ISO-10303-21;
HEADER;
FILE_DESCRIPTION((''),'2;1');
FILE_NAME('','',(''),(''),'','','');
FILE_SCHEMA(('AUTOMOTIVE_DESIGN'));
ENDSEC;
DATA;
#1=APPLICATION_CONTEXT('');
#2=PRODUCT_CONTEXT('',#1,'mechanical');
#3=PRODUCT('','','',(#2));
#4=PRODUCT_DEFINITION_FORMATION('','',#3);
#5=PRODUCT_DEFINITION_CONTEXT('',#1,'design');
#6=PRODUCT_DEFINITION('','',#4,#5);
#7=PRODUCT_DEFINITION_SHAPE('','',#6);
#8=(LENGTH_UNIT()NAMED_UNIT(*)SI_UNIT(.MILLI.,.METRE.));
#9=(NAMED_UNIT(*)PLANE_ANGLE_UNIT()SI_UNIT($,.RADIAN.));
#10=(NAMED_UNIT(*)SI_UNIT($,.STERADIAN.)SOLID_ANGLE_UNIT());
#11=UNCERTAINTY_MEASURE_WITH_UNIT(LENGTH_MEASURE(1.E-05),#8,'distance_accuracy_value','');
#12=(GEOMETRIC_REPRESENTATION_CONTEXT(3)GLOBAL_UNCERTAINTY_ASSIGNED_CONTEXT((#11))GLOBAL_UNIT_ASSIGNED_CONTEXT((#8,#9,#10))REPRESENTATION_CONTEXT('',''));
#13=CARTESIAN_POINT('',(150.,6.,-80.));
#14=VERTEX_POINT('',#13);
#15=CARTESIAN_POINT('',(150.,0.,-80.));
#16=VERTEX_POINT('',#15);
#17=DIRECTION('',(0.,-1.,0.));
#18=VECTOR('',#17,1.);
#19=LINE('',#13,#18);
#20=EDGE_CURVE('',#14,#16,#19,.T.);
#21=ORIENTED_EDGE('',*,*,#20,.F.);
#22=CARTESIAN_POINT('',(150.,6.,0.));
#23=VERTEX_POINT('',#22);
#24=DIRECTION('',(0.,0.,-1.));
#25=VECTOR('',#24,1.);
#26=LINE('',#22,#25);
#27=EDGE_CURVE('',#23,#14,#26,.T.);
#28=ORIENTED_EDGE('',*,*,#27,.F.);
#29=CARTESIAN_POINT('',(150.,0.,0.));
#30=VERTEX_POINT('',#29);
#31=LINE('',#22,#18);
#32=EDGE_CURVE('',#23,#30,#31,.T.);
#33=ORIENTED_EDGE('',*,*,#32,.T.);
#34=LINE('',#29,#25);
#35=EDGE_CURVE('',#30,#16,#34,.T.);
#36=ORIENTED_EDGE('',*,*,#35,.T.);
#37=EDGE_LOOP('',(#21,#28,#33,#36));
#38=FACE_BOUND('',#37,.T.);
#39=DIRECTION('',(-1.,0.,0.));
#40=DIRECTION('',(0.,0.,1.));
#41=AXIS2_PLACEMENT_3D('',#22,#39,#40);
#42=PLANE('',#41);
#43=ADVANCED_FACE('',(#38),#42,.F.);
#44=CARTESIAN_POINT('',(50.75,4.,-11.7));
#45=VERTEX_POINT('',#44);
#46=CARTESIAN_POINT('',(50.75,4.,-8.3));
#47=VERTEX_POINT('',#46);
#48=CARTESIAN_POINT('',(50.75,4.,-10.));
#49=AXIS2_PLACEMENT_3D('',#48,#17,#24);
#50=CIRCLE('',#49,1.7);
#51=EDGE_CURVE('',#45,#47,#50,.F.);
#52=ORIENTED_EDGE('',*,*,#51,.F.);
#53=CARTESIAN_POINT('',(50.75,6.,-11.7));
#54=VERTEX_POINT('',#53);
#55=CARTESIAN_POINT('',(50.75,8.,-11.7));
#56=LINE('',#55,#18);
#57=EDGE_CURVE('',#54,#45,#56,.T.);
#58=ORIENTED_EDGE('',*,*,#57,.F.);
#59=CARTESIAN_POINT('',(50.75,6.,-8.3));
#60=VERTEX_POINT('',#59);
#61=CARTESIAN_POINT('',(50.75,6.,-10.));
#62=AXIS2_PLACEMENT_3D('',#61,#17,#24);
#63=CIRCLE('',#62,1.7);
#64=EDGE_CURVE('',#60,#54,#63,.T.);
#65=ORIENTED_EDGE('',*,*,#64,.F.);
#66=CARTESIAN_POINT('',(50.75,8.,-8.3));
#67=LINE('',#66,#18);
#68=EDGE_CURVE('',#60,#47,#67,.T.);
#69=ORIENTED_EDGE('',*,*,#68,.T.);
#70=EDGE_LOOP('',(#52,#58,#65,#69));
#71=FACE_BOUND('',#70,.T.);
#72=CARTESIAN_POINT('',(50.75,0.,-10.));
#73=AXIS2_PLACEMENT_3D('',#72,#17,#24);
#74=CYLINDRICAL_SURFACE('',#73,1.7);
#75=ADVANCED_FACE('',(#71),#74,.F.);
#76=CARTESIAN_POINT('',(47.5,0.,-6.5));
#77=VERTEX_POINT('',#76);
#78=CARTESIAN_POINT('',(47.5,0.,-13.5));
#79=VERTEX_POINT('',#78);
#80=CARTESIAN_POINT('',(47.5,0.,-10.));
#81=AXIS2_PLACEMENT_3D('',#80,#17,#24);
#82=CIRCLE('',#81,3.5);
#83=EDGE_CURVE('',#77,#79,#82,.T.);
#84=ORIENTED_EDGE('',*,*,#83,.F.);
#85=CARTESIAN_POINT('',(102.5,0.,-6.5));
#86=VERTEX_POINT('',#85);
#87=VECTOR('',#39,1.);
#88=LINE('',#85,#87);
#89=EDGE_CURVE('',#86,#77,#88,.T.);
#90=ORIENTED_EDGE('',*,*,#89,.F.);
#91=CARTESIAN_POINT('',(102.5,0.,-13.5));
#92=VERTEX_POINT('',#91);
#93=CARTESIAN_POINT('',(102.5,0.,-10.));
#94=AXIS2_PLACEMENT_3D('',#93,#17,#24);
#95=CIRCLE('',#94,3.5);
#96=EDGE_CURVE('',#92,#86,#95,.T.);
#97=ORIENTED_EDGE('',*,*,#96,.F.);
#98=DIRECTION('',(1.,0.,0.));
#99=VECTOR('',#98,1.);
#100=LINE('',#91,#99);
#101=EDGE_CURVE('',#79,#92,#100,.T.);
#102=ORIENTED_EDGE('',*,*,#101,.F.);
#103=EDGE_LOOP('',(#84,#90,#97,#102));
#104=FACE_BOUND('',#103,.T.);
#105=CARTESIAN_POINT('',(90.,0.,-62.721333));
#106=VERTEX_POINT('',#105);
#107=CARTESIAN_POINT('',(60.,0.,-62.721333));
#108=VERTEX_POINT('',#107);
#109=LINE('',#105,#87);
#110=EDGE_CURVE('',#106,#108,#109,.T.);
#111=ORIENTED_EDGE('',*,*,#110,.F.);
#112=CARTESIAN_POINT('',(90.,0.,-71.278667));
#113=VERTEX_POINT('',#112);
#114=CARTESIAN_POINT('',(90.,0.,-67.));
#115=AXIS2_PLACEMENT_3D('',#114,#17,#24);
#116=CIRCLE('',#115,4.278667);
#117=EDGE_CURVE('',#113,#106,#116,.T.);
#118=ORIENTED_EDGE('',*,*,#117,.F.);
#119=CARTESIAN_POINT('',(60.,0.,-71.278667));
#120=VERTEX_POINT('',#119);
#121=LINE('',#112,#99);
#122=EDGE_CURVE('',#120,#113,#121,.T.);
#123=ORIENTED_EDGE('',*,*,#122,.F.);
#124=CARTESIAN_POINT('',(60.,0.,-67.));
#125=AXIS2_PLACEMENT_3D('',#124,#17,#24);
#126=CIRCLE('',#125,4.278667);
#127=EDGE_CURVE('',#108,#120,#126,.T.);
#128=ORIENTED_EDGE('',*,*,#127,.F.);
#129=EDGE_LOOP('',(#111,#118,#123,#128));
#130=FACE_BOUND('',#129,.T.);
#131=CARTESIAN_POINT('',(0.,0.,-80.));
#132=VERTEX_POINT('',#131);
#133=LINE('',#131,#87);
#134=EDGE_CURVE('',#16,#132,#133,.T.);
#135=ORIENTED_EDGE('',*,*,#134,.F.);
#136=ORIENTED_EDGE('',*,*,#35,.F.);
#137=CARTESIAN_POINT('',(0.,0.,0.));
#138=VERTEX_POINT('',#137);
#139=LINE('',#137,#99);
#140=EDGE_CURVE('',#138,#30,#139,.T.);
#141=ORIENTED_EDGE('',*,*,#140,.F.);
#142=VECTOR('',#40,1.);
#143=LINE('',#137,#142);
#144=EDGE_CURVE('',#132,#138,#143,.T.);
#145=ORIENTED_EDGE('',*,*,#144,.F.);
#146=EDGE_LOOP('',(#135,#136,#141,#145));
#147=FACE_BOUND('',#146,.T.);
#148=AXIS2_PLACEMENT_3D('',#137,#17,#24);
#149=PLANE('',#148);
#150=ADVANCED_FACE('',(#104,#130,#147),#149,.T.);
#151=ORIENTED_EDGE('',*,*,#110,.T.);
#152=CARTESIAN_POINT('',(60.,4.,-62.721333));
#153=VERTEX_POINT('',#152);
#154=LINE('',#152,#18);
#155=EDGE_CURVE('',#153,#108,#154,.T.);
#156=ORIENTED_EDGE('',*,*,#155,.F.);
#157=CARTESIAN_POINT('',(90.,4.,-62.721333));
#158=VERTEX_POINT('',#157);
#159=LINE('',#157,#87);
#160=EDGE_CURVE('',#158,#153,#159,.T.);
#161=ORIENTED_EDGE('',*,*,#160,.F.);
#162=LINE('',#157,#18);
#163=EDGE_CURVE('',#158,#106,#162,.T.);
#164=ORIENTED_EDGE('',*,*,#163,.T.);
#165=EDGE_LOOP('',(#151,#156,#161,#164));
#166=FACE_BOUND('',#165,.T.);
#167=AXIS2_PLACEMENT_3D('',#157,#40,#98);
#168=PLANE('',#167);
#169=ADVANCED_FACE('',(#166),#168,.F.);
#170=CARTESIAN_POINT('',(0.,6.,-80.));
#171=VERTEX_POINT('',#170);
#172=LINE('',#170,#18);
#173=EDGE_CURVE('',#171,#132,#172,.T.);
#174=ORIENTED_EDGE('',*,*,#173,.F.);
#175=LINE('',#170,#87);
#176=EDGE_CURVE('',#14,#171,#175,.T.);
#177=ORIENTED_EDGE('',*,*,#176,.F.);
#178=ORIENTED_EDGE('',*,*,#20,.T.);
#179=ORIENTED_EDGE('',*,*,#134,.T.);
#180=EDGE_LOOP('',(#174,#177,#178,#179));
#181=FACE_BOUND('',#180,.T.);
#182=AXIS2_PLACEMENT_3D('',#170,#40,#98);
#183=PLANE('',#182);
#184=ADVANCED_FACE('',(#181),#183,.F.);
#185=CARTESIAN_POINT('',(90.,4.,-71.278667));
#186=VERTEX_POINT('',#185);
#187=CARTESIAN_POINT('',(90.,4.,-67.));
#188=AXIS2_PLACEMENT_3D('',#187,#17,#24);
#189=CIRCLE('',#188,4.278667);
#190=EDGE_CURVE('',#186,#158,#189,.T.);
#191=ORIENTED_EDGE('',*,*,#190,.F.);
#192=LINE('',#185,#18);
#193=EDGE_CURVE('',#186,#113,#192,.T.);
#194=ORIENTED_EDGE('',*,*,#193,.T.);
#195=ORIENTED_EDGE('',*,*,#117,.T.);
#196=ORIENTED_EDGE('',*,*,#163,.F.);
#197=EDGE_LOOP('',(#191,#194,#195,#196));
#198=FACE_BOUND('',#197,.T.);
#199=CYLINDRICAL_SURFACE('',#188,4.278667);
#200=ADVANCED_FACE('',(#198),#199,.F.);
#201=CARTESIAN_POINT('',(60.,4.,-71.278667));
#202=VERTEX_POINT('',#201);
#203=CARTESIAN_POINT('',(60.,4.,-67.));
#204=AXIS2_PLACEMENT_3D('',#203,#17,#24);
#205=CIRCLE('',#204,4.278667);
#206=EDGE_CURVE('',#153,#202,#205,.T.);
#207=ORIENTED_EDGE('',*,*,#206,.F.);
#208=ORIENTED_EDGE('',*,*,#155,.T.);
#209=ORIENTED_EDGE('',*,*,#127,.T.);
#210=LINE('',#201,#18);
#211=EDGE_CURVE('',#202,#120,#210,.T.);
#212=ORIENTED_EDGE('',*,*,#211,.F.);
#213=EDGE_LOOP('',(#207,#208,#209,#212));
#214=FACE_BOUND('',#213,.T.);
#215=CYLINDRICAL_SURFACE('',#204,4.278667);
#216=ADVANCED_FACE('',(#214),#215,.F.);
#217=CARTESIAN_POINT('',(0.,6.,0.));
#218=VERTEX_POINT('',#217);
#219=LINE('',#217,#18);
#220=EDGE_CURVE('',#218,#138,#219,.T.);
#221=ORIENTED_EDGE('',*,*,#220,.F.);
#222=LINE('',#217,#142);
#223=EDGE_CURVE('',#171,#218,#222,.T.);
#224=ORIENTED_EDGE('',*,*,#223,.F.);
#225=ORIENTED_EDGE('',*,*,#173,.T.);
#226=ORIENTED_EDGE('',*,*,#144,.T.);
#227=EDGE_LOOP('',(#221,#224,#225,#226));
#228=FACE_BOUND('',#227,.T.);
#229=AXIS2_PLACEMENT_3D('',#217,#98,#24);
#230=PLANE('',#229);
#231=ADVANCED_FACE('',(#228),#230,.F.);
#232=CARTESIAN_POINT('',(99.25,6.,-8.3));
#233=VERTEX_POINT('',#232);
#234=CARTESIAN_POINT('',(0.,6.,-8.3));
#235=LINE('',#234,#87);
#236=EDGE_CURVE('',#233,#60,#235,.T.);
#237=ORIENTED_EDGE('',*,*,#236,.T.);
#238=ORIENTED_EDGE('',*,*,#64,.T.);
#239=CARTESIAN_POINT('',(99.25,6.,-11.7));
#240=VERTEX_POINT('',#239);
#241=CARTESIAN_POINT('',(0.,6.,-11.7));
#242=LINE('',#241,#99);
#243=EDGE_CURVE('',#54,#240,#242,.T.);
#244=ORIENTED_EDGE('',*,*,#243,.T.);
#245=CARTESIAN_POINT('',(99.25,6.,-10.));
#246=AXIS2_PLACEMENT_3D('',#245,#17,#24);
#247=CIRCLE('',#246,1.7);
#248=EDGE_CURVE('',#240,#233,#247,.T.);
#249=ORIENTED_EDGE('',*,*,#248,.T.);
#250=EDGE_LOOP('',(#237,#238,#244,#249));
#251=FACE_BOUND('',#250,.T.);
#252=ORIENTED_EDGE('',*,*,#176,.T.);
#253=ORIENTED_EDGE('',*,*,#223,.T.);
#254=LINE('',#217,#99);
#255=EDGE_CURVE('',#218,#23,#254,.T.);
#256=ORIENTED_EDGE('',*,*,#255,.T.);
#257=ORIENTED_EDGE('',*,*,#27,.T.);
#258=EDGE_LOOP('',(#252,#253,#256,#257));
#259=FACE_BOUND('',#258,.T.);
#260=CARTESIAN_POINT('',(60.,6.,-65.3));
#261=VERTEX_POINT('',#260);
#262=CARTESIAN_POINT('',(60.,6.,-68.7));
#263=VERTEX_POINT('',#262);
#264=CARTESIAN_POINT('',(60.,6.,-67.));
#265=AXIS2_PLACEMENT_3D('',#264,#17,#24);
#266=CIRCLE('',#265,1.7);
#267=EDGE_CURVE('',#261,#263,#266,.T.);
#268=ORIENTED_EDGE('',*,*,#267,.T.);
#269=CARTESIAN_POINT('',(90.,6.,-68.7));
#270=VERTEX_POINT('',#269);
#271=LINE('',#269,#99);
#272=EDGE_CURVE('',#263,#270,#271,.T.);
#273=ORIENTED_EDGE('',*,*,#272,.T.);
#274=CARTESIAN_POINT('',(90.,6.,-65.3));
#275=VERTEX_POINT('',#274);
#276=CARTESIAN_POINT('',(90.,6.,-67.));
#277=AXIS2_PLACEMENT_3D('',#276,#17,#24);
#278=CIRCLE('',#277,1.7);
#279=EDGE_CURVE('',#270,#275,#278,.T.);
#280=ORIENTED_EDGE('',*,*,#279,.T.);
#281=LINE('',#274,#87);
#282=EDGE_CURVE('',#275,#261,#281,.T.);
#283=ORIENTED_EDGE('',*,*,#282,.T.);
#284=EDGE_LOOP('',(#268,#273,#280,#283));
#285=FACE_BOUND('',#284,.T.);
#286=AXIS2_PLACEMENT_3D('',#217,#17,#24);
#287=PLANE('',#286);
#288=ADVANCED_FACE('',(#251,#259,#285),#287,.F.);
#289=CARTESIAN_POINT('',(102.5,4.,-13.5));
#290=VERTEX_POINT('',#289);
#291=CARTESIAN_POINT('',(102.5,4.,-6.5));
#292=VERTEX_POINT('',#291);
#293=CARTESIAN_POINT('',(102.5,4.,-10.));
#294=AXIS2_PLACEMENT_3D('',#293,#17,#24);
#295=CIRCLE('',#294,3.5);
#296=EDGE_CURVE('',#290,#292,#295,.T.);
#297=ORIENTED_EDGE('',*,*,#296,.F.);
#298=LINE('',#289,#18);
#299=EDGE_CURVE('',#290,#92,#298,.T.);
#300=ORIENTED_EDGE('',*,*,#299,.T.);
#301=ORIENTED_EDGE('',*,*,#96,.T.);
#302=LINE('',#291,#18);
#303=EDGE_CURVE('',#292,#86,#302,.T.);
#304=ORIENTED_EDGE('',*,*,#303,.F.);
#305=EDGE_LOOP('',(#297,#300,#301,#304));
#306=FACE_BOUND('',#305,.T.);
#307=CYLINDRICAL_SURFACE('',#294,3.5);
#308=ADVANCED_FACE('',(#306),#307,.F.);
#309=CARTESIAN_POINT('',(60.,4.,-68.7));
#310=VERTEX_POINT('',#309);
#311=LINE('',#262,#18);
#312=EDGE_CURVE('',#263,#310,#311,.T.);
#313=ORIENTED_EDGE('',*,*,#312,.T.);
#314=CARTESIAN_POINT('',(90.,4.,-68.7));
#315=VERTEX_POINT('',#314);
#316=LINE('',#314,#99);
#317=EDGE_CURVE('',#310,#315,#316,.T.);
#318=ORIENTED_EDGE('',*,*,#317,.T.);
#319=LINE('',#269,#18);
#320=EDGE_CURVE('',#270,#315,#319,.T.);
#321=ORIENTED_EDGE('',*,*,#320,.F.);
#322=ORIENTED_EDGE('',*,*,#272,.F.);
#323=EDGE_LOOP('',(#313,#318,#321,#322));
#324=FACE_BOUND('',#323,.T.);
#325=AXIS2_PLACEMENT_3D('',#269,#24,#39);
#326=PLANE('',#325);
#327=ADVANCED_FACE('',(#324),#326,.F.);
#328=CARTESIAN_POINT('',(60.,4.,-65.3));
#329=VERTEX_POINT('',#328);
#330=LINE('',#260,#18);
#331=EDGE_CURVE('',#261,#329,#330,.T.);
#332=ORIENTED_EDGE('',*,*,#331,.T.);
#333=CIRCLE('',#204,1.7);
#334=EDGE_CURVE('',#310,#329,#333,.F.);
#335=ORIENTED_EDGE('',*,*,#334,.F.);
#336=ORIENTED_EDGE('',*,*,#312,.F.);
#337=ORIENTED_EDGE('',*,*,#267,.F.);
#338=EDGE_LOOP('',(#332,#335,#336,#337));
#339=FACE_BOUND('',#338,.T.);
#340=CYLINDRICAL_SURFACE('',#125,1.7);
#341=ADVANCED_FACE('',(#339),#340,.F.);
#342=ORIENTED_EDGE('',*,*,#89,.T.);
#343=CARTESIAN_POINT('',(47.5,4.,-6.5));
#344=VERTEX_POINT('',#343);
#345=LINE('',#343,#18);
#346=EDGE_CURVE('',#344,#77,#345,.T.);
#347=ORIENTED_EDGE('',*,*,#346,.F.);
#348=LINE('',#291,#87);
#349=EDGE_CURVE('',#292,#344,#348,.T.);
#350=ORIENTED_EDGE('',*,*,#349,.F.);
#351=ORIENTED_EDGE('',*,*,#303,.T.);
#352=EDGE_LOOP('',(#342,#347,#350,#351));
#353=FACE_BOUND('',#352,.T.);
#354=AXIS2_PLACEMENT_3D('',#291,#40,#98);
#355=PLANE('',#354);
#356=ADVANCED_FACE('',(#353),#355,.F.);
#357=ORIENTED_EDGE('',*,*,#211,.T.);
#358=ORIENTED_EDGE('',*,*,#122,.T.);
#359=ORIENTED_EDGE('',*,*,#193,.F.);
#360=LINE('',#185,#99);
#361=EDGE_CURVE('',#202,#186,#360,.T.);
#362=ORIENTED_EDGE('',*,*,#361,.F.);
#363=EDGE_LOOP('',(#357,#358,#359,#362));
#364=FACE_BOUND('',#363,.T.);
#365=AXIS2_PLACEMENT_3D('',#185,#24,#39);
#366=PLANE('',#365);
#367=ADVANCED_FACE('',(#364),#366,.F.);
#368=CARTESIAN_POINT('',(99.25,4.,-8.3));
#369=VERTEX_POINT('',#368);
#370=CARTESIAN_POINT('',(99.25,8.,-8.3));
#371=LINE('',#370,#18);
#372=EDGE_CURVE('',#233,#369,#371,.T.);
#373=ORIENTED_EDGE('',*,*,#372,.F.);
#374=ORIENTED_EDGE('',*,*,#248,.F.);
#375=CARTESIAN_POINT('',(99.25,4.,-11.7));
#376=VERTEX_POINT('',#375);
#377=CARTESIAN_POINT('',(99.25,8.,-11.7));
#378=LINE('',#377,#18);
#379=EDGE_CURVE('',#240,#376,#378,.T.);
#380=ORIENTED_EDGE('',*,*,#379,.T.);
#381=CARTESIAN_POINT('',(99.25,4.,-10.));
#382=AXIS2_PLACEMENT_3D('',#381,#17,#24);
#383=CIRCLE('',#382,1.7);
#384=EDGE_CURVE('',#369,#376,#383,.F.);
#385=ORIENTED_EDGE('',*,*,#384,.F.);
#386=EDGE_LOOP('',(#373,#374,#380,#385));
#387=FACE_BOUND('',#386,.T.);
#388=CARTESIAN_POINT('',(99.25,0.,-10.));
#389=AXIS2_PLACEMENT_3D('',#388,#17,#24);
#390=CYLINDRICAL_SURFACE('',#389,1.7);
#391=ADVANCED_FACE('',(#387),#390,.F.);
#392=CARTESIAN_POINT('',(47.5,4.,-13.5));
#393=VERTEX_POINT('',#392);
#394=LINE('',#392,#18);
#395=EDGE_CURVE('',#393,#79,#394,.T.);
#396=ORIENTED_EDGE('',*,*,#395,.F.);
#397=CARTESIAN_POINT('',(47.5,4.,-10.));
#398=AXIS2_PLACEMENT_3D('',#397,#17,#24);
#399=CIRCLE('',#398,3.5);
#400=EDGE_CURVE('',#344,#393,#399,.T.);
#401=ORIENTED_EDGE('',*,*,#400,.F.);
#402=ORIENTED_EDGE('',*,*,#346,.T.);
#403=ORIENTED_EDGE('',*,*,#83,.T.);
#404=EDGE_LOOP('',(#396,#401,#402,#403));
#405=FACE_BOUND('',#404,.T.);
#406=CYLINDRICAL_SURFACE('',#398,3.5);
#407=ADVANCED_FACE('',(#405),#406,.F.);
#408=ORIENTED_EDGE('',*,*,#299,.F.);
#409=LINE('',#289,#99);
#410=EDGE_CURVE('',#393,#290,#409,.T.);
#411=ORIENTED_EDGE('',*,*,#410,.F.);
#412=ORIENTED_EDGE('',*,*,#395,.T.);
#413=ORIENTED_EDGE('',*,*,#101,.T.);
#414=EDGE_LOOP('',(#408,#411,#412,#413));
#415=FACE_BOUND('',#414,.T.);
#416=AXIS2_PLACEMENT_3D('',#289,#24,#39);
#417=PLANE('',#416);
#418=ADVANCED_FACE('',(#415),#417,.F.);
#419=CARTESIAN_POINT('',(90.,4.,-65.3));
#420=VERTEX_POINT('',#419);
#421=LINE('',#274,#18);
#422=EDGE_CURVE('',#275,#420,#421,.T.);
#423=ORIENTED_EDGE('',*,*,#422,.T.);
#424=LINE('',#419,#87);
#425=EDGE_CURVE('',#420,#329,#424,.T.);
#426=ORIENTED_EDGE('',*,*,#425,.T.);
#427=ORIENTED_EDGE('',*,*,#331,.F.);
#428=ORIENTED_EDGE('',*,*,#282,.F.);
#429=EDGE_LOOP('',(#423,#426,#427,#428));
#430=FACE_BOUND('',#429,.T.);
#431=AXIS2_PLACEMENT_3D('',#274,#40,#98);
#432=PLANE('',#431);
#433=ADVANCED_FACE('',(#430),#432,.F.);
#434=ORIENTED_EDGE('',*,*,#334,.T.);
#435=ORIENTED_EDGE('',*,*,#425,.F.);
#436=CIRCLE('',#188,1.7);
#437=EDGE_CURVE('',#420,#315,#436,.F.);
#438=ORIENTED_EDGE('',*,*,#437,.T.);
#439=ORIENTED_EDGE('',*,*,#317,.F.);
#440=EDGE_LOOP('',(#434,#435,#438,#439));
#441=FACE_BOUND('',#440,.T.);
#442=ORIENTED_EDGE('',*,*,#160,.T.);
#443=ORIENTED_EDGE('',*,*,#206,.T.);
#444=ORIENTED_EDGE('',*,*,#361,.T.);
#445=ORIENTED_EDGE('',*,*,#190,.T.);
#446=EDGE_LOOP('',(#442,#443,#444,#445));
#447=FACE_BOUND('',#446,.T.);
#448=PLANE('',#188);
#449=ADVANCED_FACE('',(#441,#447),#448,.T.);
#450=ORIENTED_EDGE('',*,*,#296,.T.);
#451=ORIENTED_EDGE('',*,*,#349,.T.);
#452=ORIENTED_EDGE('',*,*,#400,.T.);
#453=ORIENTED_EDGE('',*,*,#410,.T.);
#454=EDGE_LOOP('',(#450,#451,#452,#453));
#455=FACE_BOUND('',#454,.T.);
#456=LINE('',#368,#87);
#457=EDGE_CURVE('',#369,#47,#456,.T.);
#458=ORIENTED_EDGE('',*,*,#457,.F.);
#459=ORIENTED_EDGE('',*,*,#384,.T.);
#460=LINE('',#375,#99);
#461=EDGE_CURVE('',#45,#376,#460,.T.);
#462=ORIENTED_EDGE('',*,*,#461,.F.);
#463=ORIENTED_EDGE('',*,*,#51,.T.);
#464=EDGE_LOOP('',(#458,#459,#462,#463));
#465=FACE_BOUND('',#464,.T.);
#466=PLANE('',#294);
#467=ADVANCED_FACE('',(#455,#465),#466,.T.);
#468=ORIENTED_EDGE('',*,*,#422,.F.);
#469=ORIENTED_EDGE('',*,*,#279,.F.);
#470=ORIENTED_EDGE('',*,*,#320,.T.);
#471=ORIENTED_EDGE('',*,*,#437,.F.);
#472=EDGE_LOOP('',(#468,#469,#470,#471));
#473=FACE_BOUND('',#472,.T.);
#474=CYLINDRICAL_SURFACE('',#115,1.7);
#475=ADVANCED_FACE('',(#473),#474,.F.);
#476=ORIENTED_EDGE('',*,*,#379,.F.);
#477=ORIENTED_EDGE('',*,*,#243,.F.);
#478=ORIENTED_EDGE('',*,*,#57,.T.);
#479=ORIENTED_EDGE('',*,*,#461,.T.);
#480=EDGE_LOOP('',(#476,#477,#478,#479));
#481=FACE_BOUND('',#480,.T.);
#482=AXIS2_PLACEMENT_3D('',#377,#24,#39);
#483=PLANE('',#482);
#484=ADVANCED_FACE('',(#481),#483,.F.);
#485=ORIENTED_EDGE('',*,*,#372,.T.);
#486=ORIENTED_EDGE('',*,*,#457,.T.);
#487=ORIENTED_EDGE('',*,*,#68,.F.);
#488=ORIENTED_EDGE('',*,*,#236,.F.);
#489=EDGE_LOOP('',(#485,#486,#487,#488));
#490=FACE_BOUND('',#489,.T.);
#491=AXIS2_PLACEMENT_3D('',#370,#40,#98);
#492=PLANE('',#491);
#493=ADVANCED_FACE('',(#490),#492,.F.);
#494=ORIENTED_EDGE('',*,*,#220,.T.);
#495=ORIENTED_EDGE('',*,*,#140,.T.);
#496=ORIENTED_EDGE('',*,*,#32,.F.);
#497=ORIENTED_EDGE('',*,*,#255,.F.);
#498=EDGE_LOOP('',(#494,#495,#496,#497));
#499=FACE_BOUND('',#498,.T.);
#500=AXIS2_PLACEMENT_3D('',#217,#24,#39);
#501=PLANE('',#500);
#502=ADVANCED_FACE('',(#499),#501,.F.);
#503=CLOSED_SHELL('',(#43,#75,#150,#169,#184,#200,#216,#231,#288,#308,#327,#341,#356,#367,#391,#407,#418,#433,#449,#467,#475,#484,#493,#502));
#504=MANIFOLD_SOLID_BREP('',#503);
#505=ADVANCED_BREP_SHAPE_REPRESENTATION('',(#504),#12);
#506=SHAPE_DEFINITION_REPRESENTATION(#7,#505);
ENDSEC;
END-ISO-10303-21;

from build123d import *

# Parameters (mm, degrees)
ESQUISSE2_W                                        = 150
ESQUISSE2_H                                        = 80
BOSS_EXTRU_1_DEPTH                                 = 6
CHAMBRAGE_POUR_VIS_T_TE_HEXAGONALE_M31_D           = 3.4
CHAMBRAGE_POUR_VIS_T_TE_HEXAGONALE_M31_DEPTH       = 15
CHAMBRAGE_POUR_VIS_T_TE_HEXAGONALE_M31_CBORE_D     = 6.5
CHAMBRAGE_POUR_VIS_T_TE_HEXAGONALE_M31_CBORE_DEPTH = 3.4
CHAMBRAGE_POUR_VIS_T_TE_HEXAGONALE_M31_TIP         = 1.021463052
ENL_V_MAT_EXTRU_2_DEPTH                            = 4
ENL_V_MAT_EXTRU_3_DEPTH                            = 171.1058494
ENL_V_MAT_EXTRU_4_DEPTH                            = 4
ENL_V_START                                        = -4
ENL_V_MAT_EXTRU_5_DEPTH                            = 4


with BuildPart() as part:
    # Esquisse2 → Boss.-Extru.1 (new body)
    with BuildSketch(Plane(origin=(0, 0, 0), x_dir=(1, 0, 0), z_dir=(0, 1, 0))):
        with Locations((75, 40)):
            Rectangle(ESQUISSE2_W, ESQUISSE2_H)
    extrude(amount=BOSS_EXTRU_1_DEPTH)

    # Chambrage pour vis à tête hexagonale M31
    with Locations(Plane(origin=(90, 0, -67), x_dir=(0, 0, -1), z_dir=(0, -1, 0))):
        with Locations((0, 0), (0, -30), (-57, -39.25), (-57, 9.25)):
            CounterBoreHole(CHAMBRAGE_POUR_VIS_T_TE_HEXAGONALE_M31_D / 2, CHAMBRAGE_POUR_VIS_T_TE_HEXAGONALE_M31_CBORE_D / 2, CHAMBRAGE_POUR_VIS_T_TE_HEXAGONALE_M31_CBORE_DEPTH, depth=CHAMBRAGE_POUR_VIS_T_TE_HEXAGONALE_M31_DEPTH)
            with Locations((0, 0, -(CHAMBRAGE_POUR_VIS_T_TE_HEXAGONALE_M31_DEPTH + CHAMBRAGE_POUR_VIS_T_TE_HEXAGONALE_M31_TIP / 2))):  # 118° drill point
                Cone(0, CHAMBRAGE_POUR_VIS_T_TE_HEXAGONALE_M31_D / 2, CHAMBRAGE_POUR_VIS_T_TE_HEXAGONALE_M31_TIP, mode=Mode.SUBTRACT)

    # Esquisse6 → Enlèv. mat.-Extru.2 (cut)
    with BuildSketch(Plane.XZ):
        with BuildLine():
            Line((90, -71.278666631), (60, -71.278666631))
            ThreePointArc((60, -71.278666631), (55.721333369, -67), (60, -62.721333369))
            Line((60, -62.721333369), (90, -62.721333369))
            ThreePointArc((90, -62.721333369), (94.278666631, -67), (90, -71.278666631))
        make_face()
    extrude(amount=-ENL_V_MAT_EXTRU_2_DEPTH, mode=Mode.SUBTRACT)

    # Esquisse7 → Enlèv. mat.-Extru.3 (cut, through all)
    with BuildSketch(Plane.XZ):
        with BuildLine():
            Line((90, -68.7), (60, -68.7))
            ThreePointArc((60, -68.7), (58.3, -67), (60, -65.3))
            Line((60, -65.3), (90, -65.3))
            ThreePointArc((90, -65.3), (91.7, -67), (90, -68.7))
        make_face()
    extrude(amount=-ENL_V_MAT_EXTRU_3_DEPTH, mode=Mode.SUBTRACT)

    # Esquisse9 → Enlèv. mat.-Extru.4 (cut)
    with BuildSketch(Plane(origin=(0, 0, 0), x_dir=(-1, 0, 0), z_dir=(0, -1, 0))):
        with BuildLine():
            Line((-102.5, 13.5), (-47.5, 13.5))
            ThreePointArc((-47.5, 13.5), (-44, 10), (-47.5, 6.5))
            Line((-47.5, 6.5), (-102.5, 6.5))
            ThreePointArc((-102.5, 6.5), (-106, 10), (-102.5, 13.5))
        make_face()
    extrude(amount=-ENL_V_MAT_EXTRU_4_DEPTH, mode=Mode.SUBTRACT)

    # Esquisse10 → Enlèv. mat.-Extru.5 (cut)
    with BuildSketch(Plane(origin=(0, 4, 0), x_dir=(-1, 0, 0), z_dir=(0, -1, 0)).offset(ENL_V_START)):
        with BuildLine():
            Line((-99.25, 11.7), (-50.75, 11.7))
            ThreePointArc((-50.75, 11.7), (-49.05, 10), (-50.75, 8.3))
            Line((-50.75, 8.3), (-99.25, 8.3))
            ThreePointArc((-99.25, 8.3), (-100.95, 10), (-99.25, 11.7))
        make_face()
    extrude(amount=ENL_V_MAT_EXTRU_5_DEPTH, mode=Mode.SUBTRACT)


solid = part.part
